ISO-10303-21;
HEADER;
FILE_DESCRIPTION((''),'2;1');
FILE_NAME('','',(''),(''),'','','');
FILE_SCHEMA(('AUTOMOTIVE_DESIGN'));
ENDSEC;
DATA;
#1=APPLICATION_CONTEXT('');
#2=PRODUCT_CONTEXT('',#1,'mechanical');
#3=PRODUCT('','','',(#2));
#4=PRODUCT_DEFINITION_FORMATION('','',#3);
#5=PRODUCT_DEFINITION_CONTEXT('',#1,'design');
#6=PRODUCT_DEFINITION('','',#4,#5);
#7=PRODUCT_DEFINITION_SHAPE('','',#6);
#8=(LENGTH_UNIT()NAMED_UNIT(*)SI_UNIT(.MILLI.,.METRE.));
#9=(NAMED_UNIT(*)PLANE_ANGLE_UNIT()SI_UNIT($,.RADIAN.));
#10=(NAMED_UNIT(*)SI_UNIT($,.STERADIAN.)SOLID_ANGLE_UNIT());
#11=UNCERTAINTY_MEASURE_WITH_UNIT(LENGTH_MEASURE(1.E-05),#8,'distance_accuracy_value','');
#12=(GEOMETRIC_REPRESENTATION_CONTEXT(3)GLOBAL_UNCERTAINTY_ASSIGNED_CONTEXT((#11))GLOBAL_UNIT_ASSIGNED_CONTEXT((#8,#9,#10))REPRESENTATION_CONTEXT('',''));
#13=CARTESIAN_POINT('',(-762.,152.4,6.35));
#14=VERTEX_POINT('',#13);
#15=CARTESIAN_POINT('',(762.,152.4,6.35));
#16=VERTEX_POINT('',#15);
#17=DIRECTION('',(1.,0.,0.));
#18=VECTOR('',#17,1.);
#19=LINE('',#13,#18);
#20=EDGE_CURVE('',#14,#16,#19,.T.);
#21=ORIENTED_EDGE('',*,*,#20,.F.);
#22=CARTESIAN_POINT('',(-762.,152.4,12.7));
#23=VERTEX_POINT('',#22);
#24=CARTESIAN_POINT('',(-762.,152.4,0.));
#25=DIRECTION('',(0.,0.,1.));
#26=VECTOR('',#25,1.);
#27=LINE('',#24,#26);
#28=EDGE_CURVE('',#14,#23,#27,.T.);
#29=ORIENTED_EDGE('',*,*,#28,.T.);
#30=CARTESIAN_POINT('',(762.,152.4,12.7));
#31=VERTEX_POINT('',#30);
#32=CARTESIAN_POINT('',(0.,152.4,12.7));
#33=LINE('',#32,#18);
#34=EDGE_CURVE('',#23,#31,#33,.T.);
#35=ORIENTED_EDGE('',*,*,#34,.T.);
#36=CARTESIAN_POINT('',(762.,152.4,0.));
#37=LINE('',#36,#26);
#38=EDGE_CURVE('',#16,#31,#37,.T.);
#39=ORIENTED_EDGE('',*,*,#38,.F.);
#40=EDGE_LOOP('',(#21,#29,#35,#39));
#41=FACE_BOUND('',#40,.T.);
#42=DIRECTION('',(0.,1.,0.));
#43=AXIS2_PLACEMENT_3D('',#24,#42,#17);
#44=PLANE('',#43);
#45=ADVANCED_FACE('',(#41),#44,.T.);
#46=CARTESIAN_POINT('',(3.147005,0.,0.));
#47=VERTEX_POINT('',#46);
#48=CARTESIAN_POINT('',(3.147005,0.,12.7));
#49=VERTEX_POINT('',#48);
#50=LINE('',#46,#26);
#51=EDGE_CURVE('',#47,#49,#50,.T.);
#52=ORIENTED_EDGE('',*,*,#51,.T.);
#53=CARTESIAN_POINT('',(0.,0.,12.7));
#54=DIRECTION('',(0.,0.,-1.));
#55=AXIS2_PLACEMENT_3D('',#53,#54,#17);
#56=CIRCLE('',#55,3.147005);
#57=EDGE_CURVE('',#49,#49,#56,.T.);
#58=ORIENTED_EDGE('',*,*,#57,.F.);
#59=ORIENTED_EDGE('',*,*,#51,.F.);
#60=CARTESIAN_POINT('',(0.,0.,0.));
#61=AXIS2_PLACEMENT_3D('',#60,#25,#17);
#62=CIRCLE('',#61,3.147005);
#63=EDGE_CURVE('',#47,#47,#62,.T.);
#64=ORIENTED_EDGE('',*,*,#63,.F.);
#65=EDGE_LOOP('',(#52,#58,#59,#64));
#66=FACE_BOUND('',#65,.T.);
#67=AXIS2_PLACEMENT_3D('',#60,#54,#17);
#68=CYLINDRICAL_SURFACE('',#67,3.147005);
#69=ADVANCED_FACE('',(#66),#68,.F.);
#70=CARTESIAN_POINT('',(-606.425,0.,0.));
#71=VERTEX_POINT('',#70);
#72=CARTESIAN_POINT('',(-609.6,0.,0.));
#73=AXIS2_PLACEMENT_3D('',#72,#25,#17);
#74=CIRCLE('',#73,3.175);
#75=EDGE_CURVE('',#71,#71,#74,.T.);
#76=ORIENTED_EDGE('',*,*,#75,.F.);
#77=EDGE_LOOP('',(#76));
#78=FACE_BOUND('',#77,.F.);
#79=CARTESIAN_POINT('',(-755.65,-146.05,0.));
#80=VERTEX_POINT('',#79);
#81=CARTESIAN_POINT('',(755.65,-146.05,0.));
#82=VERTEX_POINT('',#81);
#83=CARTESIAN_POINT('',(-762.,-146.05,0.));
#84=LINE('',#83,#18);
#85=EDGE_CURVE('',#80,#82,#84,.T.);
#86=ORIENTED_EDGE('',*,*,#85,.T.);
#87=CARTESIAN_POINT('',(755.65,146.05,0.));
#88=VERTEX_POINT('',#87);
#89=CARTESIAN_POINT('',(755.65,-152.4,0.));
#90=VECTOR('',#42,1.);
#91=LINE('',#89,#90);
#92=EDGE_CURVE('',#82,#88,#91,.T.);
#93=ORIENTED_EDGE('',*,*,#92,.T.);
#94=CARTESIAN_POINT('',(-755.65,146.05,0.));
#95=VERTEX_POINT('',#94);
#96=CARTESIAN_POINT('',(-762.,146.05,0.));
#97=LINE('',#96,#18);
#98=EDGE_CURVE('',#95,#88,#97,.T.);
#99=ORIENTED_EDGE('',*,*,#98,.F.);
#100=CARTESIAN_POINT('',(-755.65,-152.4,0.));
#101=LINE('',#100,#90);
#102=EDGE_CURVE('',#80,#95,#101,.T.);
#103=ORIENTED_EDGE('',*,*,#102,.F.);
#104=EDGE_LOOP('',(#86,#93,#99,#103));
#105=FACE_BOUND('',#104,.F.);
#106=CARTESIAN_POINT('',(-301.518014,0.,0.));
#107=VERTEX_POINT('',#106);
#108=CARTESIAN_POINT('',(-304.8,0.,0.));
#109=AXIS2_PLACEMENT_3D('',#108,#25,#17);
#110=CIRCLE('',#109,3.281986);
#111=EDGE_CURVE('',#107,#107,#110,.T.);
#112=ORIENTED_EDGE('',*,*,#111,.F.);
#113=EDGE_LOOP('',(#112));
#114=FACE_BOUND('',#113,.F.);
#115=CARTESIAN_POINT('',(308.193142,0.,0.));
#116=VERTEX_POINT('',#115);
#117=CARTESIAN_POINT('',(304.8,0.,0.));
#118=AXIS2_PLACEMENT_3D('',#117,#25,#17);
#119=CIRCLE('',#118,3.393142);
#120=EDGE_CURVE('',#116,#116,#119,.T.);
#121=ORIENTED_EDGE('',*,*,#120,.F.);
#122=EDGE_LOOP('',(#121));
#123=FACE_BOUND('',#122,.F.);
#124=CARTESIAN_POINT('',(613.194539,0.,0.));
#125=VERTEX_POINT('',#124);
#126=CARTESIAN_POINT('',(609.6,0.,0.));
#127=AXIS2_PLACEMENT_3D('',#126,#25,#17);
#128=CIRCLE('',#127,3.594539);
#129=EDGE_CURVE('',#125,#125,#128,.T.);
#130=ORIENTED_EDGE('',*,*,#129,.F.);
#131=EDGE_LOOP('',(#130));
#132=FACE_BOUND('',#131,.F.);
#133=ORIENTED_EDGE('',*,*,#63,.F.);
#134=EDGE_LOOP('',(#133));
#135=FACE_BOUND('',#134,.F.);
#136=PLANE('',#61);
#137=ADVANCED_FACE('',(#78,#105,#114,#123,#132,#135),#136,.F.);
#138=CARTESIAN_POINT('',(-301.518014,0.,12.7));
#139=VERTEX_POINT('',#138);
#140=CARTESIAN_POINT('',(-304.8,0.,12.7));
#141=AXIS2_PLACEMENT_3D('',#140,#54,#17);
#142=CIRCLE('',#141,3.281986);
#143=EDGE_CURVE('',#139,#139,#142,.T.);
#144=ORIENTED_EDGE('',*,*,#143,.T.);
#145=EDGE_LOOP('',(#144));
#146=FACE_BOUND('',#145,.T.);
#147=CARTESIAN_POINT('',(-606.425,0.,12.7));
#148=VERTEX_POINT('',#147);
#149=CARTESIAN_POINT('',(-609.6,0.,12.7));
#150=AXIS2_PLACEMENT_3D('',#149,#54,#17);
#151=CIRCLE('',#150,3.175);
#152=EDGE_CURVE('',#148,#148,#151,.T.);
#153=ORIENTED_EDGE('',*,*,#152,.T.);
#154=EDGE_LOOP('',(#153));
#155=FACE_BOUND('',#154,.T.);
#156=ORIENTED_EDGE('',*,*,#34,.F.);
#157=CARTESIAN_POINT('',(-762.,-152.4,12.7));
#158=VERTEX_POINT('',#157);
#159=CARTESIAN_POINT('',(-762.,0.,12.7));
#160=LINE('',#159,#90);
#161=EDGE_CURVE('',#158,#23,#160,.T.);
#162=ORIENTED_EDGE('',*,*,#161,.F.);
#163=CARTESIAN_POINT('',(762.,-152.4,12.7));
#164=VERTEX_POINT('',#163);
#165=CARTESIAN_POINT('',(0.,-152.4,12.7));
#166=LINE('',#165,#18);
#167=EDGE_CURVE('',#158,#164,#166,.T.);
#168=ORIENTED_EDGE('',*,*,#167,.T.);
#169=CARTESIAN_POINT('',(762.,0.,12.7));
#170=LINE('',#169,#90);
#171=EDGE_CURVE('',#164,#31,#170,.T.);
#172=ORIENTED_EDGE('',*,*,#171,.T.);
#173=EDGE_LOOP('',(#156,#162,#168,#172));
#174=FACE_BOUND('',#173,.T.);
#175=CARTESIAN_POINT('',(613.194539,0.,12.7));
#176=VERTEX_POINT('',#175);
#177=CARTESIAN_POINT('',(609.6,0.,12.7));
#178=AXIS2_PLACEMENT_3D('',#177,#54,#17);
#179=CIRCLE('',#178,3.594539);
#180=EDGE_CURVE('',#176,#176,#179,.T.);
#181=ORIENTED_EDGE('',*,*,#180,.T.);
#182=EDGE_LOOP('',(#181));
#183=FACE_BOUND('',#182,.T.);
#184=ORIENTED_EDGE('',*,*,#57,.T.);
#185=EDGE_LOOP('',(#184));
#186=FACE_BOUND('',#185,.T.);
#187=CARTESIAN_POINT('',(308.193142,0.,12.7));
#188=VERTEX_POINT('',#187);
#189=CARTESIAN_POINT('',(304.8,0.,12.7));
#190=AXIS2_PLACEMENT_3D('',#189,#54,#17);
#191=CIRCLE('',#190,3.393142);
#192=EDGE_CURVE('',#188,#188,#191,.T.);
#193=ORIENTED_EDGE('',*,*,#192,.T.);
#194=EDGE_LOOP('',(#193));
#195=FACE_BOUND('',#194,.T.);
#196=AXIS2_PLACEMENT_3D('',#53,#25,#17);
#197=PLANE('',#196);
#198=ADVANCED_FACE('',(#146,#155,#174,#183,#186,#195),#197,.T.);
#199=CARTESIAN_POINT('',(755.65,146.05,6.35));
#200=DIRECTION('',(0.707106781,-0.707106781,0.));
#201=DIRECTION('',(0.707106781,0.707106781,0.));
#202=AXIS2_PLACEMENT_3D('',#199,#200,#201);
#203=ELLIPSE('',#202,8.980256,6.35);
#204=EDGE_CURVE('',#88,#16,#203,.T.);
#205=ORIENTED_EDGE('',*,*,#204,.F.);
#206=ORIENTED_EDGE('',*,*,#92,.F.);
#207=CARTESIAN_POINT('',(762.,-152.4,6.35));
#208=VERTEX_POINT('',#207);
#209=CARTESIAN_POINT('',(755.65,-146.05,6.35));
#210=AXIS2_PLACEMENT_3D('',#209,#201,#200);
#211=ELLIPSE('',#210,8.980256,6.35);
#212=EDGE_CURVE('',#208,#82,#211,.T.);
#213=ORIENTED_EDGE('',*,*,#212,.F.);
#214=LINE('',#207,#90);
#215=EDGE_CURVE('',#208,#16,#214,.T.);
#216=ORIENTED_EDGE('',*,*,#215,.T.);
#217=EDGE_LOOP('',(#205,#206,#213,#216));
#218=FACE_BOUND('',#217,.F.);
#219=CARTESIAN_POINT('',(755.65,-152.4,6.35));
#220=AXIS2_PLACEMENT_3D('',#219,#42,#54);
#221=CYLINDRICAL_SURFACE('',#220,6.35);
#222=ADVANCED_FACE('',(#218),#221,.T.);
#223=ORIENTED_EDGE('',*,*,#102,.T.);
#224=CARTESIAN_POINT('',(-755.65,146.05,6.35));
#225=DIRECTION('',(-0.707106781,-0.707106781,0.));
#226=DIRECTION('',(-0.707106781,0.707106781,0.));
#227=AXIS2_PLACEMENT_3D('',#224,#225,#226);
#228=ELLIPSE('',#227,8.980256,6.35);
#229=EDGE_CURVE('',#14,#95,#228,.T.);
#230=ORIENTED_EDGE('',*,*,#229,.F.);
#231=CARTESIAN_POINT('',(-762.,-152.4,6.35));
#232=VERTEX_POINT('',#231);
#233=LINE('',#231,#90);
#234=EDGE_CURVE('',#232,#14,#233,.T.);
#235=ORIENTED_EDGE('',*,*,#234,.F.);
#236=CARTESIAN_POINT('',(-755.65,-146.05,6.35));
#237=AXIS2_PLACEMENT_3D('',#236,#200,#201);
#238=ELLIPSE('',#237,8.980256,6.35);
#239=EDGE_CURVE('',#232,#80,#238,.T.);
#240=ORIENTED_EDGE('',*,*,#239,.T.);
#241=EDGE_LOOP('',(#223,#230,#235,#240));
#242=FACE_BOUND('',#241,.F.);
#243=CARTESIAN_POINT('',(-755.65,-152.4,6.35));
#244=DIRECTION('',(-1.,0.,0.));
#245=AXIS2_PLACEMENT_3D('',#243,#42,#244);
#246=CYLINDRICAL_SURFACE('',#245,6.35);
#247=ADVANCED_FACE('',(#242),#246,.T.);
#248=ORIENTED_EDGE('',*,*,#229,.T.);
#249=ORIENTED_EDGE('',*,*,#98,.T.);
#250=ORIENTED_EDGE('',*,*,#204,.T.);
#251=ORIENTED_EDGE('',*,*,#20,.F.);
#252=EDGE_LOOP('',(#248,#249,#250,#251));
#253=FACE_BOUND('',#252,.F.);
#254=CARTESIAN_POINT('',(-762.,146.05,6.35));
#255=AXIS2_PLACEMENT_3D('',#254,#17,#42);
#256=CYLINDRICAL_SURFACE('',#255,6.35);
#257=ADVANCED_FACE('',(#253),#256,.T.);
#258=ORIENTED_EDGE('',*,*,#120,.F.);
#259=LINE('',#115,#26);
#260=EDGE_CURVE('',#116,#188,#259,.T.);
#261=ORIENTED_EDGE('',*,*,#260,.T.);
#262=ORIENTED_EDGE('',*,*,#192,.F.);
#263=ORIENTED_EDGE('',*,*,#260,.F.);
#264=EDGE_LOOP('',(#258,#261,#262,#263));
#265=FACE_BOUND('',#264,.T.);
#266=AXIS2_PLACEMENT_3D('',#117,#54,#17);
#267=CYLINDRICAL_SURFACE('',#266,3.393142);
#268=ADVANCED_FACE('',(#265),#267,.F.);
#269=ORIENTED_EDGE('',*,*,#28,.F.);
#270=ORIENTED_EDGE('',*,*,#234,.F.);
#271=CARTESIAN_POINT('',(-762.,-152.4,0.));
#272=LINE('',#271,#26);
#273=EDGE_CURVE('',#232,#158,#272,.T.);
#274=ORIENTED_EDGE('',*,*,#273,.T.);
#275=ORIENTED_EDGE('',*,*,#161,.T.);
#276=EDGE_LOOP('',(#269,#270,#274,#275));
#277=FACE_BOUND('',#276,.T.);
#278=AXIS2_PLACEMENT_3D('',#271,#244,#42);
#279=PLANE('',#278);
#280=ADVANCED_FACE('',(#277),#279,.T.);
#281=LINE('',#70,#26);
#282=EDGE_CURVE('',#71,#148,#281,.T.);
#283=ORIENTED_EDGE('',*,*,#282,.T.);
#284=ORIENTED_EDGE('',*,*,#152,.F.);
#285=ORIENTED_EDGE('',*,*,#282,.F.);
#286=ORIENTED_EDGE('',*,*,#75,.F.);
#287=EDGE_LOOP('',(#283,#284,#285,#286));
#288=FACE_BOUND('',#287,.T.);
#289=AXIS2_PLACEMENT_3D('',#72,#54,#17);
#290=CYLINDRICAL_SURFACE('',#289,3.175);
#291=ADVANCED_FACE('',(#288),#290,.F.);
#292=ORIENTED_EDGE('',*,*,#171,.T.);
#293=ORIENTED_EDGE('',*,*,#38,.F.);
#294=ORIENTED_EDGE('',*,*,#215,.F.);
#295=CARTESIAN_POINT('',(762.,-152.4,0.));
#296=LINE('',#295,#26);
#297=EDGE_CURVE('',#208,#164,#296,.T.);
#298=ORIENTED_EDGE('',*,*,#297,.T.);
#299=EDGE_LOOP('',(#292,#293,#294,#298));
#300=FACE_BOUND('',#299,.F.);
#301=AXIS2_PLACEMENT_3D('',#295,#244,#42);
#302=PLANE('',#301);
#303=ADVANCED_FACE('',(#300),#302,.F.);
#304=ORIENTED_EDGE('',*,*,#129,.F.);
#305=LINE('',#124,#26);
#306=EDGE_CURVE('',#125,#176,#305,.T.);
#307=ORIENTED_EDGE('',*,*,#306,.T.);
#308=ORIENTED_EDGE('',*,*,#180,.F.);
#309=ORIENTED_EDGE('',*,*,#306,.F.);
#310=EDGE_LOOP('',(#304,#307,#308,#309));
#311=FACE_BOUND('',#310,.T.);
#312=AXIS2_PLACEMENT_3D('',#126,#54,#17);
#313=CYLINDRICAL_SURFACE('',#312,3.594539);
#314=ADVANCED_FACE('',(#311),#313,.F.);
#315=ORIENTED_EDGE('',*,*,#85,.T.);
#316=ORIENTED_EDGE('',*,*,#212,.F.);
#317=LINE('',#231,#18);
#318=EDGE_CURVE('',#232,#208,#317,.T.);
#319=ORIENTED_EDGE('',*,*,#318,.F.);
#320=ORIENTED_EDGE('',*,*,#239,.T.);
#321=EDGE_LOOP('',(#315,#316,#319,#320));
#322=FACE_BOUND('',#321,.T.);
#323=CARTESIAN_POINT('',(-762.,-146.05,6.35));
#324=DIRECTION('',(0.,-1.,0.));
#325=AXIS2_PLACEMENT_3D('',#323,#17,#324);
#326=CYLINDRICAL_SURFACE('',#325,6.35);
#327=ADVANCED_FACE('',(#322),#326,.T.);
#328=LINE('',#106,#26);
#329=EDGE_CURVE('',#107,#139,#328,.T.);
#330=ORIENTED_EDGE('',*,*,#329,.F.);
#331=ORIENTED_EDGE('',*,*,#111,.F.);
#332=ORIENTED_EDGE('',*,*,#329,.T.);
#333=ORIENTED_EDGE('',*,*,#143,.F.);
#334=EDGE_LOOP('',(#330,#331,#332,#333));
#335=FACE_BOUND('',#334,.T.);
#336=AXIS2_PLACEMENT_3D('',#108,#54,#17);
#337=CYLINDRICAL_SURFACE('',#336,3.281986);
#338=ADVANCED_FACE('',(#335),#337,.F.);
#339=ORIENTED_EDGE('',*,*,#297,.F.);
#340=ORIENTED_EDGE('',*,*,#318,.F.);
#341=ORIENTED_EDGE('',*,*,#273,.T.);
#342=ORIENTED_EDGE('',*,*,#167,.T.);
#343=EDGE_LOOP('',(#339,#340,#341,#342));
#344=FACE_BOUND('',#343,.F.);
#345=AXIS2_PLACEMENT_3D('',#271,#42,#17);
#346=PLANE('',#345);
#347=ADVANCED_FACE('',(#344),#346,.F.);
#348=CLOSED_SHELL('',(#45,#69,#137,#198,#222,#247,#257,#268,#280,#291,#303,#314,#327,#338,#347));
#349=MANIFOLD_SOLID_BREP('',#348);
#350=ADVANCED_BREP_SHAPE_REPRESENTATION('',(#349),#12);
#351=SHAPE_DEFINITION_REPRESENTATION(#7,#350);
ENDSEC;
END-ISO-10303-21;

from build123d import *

# Parameters (mm, degrees)
F0_W          = 1524
F0_H          = 304.8
F2_DEPTH      = 12.7
F1_R          = 3.1470051967
F1_R_2        = 3.3931415127
F1_R_3        = 3.5945394666
F1_R_4        = 3.2819860345
F1_R_5        = 3.175
F3_DEPTH      = 25.4
F3_DEPTH_BACK = 25.4
F4_R          = 6.35


with BuildPart() as f2:
    # F0 (on Top) → F2 (new body)
    with BuildSketch(Plane.XY):
        Rectangle(F0_W, F0_H)
    extrude(amount=F2_DEPTH)

    # F1 (on Top) → F3 (cut, two sides)
    with BuildSketch(Plane.XY) as f3_sk:
        Circle(F1_R)
        with Locations((304.8, 0)):
            Circle(F1_R_2)
        with Locations((609.6, 0)):
            Circle(F1_R_3)
        with Locations((-304.8, 0)):
            Circle(F1_R_4)
        with Locations((-609.6, 0)):
            Circle(F1_R_5)
    extrude(amount=-F3_DEPTH, mode=Mode.SUBTRACT)
    extrude(f3_sk.sketch, amount=F3_DEPTH_BACK, mode=Mode.SUBTRACT)

    # F4
    f4_edges = [f2.edges().sort_by_distance(p)[0] for p in [
        (0, -152.4, 0),
        (762, 0, 0),
        (-762, 0, 0),
        (0, 152.4, 0),
    ]]
    fillet(f4_edges, radius=F4_R)


solid = f2.part
